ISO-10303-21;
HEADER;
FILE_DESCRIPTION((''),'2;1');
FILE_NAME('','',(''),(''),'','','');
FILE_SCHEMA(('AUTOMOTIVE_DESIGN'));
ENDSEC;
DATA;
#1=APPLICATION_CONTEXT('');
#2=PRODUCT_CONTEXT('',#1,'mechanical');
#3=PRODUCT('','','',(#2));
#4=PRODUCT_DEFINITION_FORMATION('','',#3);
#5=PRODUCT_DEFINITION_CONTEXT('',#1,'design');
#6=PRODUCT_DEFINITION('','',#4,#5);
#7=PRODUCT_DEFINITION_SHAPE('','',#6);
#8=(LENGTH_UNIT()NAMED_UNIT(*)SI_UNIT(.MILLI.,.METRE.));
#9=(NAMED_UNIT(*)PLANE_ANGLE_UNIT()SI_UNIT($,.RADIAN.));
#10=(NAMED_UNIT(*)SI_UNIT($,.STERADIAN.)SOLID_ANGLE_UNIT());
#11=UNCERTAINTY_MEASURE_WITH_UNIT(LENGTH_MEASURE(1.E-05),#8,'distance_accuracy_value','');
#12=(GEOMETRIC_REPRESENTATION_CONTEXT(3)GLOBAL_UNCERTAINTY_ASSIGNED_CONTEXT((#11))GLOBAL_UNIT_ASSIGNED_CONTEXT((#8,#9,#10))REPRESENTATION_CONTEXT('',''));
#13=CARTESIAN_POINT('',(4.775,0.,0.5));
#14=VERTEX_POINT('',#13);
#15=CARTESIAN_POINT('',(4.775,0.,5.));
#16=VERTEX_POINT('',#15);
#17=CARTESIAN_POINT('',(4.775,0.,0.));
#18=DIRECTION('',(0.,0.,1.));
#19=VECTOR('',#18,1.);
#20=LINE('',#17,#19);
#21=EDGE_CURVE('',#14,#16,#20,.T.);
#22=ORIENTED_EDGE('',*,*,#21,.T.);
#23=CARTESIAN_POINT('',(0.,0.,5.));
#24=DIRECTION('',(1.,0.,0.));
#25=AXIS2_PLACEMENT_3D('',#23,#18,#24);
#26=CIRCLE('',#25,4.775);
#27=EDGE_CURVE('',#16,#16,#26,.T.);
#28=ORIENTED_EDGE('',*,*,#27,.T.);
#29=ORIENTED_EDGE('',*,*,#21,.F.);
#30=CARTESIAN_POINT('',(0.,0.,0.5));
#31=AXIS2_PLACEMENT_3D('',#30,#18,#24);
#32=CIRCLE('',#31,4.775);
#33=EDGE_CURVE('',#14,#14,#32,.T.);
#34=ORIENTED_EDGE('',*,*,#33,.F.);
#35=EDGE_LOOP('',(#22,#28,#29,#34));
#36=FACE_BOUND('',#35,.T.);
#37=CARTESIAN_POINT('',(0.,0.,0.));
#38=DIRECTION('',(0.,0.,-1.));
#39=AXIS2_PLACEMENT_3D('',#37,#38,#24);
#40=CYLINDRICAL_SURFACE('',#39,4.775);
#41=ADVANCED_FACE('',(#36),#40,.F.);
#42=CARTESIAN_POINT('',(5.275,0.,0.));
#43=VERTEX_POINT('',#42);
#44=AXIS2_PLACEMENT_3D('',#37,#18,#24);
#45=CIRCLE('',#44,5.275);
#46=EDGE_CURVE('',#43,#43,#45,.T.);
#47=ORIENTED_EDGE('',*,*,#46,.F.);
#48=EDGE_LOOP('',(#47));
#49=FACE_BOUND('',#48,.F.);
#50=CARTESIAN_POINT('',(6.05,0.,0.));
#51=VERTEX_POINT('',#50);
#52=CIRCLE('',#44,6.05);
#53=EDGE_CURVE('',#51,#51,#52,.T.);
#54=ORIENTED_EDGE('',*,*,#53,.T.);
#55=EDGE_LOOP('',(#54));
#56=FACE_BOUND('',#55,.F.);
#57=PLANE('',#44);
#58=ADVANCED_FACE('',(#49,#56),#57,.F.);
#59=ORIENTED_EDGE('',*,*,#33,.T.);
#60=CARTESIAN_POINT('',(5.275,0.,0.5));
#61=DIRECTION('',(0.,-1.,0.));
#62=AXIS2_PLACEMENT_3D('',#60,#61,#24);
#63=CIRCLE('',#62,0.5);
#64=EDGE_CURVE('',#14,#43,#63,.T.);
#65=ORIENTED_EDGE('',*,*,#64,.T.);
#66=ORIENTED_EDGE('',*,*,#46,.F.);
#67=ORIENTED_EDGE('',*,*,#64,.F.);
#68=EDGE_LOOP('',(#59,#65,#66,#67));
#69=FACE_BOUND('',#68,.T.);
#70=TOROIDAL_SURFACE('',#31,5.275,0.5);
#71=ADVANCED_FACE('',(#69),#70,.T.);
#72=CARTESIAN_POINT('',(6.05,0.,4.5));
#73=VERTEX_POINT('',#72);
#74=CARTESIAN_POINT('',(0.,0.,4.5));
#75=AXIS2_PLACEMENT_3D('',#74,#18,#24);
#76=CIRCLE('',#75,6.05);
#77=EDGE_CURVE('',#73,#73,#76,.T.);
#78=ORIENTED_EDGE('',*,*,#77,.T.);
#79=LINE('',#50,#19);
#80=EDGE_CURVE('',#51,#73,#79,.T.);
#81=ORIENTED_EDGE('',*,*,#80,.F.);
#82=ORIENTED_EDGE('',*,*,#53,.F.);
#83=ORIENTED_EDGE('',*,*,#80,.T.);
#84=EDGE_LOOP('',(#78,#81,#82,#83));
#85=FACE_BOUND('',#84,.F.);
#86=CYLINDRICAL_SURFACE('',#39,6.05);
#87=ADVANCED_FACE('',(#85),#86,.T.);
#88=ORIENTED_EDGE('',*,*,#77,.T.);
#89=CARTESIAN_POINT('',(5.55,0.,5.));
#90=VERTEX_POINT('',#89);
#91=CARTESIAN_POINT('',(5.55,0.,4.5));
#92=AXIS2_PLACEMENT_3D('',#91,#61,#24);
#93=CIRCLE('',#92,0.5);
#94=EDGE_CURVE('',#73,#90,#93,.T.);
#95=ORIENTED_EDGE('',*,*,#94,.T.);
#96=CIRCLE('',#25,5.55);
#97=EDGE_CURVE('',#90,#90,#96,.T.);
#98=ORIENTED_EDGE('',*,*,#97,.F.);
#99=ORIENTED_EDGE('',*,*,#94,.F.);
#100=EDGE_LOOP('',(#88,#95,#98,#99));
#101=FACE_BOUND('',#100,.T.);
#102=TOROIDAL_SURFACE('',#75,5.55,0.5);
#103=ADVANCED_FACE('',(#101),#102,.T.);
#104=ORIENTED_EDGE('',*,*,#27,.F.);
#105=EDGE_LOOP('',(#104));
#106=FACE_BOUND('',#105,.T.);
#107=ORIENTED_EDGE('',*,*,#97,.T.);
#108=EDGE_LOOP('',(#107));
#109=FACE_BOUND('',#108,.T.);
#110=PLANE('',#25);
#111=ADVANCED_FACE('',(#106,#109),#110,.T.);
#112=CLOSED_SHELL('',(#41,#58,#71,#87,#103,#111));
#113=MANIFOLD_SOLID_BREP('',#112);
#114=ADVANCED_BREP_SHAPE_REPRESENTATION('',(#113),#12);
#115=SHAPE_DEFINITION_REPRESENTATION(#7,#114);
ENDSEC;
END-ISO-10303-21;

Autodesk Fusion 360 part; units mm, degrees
sketch "Sketch1" plane through (0, 0, 0) normal (0, 0, 1) x (1, 0, 0)
  circle A0 centre (0, 0) radius 4.775
  circle A1 centre (0, 0) radius 6.05
  dimension "d5" = 9.55
  dimension "d6" = 12.1
extrude "Extrude1" add sketch "Sketch1" along normal blind 5
fillet "Fillet1" radius 0.5 2 edges at (-5.6406, -2.1878, 5) (-4.4519, 1.7267, 0)
equation "bearing_id = 12 mm"
equation "sun_shaft_od = 9.5 mm"
equation "sun_shaft_clearance = 0.05 mm"
equation "bearing_id_clearance = 0.1 mm"
equation "d5 = sun_shaft_od + sun_shaft_clearance"
equation "d6 = bearing_id + bearing_id_clearance"
equation "height = 5 mm"
equation "d8 = height"
